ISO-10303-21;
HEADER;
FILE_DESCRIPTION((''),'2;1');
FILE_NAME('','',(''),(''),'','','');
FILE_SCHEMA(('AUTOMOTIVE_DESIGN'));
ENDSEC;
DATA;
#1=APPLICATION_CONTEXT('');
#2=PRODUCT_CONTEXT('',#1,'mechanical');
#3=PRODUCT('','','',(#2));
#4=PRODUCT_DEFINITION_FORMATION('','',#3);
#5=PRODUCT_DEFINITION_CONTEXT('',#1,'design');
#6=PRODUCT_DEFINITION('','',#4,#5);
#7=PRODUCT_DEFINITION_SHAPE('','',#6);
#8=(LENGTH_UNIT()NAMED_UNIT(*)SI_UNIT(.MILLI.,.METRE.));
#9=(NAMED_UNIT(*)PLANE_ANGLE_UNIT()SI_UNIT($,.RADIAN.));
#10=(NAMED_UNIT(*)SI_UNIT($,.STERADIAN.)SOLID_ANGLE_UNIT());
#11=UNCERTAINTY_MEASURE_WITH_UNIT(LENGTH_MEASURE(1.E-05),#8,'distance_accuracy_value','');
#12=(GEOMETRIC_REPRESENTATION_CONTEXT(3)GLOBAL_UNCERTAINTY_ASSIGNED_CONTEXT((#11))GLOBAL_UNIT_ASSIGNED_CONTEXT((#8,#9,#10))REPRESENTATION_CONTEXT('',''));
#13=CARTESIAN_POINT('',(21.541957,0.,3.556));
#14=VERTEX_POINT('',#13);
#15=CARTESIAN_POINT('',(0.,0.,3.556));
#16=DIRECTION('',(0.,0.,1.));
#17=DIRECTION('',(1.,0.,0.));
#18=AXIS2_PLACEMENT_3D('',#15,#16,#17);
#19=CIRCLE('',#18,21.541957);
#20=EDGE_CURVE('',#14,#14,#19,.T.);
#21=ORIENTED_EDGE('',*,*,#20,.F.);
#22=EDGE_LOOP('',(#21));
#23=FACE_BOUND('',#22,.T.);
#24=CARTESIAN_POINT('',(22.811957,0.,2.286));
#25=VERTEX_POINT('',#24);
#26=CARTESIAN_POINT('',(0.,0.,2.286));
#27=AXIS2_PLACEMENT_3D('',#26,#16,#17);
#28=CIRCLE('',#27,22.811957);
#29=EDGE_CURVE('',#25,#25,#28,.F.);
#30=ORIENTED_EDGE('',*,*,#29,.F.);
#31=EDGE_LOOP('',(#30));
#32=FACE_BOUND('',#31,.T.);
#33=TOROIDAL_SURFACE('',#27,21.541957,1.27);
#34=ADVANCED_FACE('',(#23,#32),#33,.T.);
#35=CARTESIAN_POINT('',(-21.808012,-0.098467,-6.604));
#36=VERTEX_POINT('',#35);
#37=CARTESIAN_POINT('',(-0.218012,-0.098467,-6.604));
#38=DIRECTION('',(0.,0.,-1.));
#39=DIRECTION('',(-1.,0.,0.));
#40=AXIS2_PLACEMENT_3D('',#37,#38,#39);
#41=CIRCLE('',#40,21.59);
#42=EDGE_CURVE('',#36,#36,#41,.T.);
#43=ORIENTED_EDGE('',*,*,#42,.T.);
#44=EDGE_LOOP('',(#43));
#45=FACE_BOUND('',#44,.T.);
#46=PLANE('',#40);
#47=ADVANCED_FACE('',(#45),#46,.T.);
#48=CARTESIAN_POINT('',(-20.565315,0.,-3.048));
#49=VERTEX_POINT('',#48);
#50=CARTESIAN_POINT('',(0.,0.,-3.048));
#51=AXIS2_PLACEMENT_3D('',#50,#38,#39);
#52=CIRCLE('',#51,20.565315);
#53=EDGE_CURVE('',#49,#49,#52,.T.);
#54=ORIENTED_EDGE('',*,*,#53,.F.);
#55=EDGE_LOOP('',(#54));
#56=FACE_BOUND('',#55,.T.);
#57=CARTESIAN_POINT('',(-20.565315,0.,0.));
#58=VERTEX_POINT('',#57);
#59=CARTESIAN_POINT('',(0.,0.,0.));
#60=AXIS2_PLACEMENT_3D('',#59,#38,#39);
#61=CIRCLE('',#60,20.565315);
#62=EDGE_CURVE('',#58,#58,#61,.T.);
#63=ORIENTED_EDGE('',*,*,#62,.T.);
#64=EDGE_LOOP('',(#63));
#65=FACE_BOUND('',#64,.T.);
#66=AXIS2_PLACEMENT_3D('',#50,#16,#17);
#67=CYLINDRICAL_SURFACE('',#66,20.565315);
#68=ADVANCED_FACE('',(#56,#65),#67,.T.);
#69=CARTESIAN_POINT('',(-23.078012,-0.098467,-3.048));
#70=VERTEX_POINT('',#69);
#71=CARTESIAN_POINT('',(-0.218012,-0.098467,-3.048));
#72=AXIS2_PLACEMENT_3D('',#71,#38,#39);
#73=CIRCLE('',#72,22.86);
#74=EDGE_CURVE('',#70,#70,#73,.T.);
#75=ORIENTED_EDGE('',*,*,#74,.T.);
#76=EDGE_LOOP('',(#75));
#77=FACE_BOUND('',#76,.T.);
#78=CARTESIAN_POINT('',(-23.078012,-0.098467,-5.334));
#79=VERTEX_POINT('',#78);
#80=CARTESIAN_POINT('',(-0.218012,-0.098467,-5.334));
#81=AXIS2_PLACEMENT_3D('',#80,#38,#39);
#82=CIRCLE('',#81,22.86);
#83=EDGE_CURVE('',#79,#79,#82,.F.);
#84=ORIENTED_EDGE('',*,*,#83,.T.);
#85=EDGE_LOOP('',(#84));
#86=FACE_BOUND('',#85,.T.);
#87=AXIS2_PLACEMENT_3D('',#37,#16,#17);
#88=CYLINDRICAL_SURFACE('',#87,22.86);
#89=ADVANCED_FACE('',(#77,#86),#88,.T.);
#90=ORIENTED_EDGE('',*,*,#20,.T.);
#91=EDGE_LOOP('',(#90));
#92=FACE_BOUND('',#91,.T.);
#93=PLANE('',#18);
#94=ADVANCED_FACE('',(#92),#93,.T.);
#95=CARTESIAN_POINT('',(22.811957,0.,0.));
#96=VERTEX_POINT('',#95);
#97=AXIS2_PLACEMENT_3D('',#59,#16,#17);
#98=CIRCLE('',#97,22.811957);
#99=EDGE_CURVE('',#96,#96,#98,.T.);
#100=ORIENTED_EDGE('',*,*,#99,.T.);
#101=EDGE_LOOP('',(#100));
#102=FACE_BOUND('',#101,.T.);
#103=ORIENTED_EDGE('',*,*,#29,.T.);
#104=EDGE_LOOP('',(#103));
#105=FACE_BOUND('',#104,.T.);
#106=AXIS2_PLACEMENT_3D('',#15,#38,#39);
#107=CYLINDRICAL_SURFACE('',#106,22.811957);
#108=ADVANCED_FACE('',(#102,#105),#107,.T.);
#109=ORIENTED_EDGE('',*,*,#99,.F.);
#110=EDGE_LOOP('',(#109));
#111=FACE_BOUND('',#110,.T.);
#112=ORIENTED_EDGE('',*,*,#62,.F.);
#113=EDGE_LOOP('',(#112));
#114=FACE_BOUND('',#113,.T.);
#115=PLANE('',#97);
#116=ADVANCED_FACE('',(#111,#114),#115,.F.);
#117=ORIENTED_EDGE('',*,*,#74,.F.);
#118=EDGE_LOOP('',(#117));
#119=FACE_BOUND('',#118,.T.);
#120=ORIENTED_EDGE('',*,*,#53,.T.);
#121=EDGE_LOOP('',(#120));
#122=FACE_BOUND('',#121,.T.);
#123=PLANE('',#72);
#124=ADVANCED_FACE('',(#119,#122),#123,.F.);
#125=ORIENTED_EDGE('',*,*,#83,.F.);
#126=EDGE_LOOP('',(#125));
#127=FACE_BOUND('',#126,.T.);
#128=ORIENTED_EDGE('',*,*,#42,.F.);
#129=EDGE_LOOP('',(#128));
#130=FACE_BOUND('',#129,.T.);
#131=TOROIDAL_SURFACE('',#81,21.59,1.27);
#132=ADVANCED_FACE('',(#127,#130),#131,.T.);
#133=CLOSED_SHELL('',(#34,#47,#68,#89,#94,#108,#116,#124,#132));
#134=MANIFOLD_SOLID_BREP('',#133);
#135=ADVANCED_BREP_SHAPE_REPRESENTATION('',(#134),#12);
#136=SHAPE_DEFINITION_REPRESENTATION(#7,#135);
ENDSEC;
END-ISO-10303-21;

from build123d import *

# Parameters (mm, degrees)
SKETCH1_R           = 22.811957467
BOSS_EXTRUDE1_DEPTH = 3.556
SKETCH2_R           = 20.565315444
BOSS_EXTRUDE2_DEPTH = 3.048
SKETCH3_R           = 22.86
BOSS_EXTRUDE3_DEPTH = 3.556
FILLET2_R           = 1.27
FILLET3_R           = 1.27


with BuildPart() as part:
    # Sketch1 → Boss-Extrude1 (new body)
    with BuildSketch(Plane.XY):
        Circle(SKETCH1_R)
    extrude(amount=BOSS_EXTRUDE1_DEPTH)

    # Sketch2 → Boss-Extrude2 (add)
    with BuildSketch(Plane(origin=(0, 0, 0), x_dir=(-1, 0, 0), z_dir=(0, 0, -1))):
        Circle(SKETCH2_R)
    extrude(amount=BOSS_EXTRUDE2_DEPTH)

    # Sketch3 → Boss-Extrude3 (add)
    with BuildSketch(Plane(origin=(-3.118678077, -2.889960947, -3.048), x_dir=(-1, 0, 0), z_dir=(0, 0, -1))):
        with Locations((-2.900665776, 2.79149385)):
            Circle(SKETCH3_R)
    extrude(amount=BOSS_EXTRUDE3_DEPTH)

    # Fillet2
    fillet2_edges = [part.edges().sort_by_distance(p)[0] for p in [
        (-22.811957467, 0, 3.556),
    ]]
    fillet(fillet2_edges, radius=FILLET2_R)

    # Fillet3
    fillet3_edges = [part.edges().sort_by_distance(p)[0] for p in [
        (22.641987699, -0.098467097, -6.604),
    ]]
    fillet(fillet3_edges, radius=FILLET3_R)


solid = part.part
